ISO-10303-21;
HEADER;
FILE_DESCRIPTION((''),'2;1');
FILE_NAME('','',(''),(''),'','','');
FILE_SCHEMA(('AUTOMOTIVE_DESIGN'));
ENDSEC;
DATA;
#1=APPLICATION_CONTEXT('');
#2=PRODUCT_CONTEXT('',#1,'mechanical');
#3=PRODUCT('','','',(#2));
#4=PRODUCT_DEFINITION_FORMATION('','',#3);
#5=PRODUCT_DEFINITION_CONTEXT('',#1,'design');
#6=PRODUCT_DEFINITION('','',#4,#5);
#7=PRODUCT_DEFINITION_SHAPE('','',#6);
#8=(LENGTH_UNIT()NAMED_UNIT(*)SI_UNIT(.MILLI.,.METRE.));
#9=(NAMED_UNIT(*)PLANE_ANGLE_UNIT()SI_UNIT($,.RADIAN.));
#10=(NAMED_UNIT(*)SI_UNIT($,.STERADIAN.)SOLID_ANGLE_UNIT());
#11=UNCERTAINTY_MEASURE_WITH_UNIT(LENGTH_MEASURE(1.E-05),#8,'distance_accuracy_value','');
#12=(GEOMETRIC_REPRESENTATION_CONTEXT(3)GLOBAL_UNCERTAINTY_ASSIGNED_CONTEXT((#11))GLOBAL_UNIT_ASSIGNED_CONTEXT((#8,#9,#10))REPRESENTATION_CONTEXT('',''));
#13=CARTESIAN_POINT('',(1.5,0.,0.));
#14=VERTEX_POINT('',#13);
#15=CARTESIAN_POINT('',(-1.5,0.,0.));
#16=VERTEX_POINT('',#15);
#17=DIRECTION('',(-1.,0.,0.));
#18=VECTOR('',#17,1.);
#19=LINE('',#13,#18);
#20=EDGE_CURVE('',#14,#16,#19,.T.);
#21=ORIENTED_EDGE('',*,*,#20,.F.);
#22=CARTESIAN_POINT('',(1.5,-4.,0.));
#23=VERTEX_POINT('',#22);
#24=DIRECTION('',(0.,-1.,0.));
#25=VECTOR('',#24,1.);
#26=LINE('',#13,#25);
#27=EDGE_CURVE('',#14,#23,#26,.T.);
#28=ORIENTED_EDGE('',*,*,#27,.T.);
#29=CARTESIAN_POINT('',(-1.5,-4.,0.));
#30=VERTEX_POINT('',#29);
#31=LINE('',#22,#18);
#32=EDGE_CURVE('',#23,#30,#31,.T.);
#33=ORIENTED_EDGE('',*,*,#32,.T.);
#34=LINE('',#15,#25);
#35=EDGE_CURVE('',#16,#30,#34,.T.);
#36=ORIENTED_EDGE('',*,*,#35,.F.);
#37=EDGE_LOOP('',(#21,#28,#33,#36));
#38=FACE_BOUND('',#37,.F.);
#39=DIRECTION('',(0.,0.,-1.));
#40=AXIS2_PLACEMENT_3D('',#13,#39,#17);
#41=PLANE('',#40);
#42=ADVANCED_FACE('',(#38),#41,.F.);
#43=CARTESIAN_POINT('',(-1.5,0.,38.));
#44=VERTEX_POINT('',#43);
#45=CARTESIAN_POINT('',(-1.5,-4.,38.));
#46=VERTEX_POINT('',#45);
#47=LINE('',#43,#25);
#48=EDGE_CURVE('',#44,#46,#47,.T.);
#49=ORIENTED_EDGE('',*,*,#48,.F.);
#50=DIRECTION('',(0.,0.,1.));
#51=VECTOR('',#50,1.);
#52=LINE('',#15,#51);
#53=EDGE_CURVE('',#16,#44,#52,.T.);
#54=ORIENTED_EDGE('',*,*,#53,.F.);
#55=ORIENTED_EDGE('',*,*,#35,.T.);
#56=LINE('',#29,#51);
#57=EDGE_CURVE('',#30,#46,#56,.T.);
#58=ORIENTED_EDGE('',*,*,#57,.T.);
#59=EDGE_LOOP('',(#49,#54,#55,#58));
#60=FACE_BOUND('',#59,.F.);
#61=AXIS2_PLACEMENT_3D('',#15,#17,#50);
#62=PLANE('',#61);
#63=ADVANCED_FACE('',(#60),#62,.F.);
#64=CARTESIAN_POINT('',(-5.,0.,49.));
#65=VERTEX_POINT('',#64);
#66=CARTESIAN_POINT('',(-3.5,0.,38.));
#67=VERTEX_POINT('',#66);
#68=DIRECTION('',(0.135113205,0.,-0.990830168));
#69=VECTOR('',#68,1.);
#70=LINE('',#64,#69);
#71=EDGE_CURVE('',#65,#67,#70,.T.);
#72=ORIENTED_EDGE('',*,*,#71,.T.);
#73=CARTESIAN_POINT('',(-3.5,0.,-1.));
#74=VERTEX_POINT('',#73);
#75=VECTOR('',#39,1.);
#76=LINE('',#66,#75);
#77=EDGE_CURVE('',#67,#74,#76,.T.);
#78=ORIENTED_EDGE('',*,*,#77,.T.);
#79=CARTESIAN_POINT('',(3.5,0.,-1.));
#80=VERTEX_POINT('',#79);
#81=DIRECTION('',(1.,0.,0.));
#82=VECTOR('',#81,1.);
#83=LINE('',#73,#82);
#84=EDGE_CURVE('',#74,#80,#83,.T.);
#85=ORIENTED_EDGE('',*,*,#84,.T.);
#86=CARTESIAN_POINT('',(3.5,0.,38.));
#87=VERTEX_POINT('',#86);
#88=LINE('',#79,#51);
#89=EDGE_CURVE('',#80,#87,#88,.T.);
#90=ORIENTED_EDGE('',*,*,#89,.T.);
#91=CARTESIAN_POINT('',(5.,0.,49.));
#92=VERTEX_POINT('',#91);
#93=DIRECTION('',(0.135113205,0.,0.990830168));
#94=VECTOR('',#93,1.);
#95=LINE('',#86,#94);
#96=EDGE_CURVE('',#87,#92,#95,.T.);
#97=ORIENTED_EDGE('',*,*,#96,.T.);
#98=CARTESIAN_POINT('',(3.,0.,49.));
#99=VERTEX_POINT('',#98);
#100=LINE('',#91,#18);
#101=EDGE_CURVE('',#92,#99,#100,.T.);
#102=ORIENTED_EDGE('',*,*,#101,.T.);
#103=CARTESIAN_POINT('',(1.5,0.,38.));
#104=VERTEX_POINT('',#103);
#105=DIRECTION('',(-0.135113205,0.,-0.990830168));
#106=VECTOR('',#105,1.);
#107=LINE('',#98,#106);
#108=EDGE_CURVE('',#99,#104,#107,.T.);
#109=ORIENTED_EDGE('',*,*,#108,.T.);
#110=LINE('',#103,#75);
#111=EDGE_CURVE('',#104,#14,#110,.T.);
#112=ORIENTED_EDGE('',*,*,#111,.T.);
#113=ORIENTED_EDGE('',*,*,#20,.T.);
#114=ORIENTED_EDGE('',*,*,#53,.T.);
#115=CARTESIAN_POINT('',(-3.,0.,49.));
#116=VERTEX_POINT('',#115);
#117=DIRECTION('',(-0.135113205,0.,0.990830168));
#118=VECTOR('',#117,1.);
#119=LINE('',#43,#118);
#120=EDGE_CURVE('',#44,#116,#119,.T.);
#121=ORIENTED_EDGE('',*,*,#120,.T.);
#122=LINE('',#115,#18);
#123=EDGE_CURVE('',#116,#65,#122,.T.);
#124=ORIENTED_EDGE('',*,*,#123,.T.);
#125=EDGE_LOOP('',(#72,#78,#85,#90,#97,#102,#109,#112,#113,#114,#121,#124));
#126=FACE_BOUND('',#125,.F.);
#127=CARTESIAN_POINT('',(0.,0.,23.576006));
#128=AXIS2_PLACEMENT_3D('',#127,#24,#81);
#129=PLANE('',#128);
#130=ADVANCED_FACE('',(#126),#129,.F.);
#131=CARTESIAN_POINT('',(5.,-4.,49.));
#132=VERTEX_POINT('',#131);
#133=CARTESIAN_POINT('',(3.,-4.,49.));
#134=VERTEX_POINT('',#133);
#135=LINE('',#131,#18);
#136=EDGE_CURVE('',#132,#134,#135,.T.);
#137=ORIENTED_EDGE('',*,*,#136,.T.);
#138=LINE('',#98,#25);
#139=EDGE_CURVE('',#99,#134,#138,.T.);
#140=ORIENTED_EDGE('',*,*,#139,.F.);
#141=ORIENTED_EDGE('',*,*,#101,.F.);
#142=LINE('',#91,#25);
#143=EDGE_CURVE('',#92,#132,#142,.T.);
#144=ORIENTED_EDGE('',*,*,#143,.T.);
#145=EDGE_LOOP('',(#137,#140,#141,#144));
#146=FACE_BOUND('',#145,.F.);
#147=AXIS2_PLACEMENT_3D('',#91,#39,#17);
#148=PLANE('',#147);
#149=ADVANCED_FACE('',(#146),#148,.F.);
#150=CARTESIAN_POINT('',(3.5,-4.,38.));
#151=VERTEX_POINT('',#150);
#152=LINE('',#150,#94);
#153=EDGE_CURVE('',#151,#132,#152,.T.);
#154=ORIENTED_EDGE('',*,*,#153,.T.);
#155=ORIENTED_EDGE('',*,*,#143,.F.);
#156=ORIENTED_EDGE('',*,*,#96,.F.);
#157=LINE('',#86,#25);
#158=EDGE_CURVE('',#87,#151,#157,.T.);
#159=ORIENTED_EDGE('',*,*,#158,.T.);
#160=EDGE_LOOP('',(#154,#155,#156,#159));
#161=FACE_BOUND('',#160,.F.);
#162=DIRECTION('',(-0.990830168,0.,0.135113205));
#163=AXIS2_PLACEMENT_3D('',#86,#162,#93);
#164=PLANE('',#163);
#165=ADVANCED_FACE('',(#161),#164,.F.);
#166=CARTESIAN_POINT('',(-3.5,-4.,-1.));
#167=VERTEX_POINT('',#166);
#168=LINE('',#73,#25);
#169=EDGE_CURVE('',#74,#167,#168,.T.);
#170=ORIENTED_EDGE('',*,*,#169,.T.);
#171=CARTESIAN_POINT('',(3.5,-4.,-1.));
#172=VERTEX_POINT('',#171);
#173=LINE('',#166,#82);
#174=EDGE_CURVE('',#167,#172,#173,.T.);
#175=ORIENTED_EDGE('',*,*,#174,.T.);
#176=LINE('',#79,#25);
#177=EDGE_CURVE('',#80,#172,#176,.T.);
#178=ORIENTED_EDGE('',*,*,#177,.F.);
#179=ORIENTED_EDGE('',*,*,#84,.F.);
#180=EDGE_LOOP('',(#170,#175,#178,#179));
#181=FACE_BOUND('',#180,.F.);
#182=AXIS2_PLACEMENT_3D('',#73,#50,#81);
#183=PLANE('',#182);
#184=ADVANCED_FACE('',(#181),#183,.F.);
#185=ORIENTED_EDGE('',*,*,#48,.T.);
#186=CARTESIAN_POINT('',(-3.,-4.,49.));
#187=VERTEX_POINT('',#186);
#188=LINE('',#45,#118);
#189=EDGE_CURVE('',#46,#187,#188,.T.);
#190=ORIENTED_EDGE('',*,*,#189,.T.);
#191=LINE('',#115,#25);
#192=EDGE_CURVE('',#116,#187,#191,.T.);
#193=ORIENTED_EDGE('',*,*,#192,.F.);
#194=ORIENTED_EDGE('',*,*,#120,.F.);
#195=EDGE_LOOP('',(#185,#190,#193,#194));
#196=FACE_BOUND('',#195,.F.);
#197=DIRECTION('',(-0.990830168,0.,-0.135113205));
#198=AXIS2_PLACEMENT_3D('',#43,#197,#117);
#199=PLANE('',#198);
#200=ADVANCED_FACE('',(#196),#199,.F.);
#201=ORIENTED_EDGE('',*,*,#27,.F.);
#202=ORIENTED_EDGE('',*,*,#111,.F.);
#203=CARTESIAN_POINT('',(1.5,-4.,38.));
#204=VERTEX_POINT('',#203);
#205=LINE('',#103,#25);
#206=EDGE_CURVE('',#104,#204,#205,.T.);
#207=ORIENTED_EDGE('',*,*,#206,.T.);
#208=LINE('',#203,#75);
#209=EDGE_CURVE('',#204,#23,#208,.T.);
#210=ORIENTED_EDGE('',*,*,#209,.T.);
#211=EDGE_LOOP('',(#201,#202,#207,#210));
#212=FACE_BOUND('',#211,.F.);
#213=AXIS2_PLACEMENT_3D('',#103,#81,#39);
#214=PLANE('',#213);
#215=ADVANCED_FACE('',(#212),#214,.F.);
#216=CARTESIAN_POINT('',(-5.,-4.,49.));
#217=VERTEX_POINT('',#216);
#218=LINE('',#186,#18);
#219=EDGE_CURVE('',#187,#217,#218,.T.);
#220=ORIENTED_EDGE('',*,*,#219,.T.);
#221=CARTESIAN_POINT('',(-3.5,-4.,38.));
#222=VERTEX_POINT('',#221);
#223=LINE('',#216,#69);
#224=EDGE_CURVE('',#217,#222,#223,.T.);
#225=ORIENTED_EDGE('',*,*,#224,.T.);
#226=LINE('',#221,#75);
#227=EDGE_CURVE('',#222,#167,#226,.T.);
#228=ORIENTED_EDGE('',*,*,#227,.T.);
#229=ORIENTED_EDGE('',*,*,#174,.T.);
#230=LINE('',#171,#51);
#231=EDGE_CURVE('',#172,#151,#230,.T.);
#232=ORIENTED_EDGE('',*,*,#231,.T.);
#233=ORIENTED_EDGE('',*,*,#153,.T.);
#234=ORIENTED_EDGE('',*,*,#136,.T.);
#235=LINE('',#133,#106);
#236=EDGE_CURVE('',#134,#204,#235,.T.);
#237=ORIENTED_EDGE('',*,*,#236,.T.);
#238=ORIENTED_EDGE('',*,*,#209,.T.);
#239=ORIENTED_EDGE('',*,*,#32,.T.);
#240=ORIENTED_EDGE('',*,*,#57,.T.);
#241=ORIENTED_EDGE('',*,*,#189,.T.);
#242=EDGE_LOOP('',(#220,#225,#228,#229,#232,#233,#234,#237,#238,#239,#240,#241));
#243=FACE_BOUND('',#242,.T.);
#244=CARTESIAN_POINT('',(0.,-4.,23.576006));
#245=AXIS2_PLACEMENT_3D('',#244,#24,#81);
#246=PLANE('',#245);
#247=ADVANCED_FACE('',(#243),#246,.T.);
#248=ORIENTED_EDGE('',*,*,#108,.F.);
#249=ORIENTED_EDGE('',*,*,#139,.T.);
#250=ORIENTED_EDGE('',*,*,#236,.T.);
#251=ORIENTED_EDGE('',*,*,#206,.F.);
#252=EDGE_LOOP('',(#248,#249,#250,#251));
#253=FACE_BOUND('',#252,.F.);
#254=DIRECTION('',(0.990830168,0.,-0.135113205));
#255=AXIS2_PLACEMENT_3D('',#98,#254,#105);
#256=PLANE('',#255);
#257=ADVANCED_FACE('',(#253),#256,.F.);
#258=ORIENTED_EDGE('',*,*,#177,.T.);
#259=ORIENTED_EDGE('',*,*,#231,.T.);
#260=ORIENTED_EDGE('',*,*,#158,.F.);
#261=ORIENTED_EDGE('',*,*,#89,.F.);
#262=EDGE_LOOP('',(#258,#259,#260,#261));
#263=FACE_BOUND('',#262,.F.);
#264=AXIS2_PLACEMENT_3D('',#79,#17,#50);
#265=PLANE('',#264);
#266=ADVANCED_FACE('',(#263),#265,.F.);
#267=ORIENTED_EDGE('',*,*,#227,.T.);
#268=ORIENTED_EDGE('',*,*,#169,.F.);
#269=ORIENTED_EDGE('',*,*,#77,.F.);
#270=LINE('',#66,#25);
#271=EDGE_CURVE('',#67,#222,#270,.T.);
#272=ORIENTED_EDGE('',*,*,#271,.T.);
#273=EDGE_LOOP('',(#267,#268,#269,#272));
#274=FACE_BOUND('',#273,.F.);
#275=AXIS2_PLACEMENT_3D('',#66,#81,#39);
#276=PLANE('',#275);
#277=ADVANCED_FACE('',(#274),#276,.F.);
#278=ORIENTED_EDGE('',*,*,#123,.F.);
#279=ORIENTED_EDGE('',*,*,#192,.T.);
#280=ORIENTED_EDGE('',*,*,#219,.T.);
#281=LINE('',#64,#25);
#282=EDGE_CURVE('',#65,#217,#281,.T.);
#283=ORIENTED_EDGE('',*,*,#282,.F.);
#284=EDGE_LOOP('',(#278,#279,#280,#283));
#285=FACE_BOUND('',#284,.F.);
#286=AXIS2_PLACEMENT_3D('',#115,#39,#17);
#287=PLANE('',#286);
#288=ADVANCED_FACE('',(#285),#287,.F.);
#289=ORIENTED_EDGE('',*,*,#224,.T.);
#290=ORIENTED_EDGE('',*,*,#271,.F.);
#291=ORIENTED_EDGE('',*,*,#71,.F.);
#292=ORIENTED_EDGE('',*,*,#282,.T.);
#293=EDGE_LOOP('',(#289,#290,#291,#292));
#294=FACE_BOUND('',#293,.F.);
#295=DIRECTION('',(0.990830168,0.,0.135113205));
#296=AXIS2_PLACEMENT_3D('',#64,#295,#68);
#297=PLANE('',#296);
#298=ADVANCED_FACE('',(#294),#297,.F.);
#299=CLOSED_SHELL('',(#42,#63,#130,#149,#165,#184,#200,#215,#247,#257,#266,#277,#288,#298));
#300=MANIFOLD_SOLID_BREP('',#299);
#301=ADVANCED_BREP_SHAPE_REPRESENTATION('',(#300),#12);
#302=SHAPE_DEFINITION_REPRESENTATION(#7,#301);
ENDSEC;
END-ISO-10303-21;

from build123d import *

# Parameters (mm, degrees)
PAD_DEPTH = 4


with BuildPart() as part:
    # Sketch → Pad (new body)
    with BuildSketch(Plane.XZ):
        Polygon((3, 49), (1.5, 38), (1.5, 0), (-1.5, 0), (-1.5, 38), (-3, 49), (-5, 49), (-3.5, 38), (-3.5, -1), (3.5, -1), (3.5, 38), (5, 49), align=None)
    extrude(amount=PAD_DEPTH)


solid = part.part
